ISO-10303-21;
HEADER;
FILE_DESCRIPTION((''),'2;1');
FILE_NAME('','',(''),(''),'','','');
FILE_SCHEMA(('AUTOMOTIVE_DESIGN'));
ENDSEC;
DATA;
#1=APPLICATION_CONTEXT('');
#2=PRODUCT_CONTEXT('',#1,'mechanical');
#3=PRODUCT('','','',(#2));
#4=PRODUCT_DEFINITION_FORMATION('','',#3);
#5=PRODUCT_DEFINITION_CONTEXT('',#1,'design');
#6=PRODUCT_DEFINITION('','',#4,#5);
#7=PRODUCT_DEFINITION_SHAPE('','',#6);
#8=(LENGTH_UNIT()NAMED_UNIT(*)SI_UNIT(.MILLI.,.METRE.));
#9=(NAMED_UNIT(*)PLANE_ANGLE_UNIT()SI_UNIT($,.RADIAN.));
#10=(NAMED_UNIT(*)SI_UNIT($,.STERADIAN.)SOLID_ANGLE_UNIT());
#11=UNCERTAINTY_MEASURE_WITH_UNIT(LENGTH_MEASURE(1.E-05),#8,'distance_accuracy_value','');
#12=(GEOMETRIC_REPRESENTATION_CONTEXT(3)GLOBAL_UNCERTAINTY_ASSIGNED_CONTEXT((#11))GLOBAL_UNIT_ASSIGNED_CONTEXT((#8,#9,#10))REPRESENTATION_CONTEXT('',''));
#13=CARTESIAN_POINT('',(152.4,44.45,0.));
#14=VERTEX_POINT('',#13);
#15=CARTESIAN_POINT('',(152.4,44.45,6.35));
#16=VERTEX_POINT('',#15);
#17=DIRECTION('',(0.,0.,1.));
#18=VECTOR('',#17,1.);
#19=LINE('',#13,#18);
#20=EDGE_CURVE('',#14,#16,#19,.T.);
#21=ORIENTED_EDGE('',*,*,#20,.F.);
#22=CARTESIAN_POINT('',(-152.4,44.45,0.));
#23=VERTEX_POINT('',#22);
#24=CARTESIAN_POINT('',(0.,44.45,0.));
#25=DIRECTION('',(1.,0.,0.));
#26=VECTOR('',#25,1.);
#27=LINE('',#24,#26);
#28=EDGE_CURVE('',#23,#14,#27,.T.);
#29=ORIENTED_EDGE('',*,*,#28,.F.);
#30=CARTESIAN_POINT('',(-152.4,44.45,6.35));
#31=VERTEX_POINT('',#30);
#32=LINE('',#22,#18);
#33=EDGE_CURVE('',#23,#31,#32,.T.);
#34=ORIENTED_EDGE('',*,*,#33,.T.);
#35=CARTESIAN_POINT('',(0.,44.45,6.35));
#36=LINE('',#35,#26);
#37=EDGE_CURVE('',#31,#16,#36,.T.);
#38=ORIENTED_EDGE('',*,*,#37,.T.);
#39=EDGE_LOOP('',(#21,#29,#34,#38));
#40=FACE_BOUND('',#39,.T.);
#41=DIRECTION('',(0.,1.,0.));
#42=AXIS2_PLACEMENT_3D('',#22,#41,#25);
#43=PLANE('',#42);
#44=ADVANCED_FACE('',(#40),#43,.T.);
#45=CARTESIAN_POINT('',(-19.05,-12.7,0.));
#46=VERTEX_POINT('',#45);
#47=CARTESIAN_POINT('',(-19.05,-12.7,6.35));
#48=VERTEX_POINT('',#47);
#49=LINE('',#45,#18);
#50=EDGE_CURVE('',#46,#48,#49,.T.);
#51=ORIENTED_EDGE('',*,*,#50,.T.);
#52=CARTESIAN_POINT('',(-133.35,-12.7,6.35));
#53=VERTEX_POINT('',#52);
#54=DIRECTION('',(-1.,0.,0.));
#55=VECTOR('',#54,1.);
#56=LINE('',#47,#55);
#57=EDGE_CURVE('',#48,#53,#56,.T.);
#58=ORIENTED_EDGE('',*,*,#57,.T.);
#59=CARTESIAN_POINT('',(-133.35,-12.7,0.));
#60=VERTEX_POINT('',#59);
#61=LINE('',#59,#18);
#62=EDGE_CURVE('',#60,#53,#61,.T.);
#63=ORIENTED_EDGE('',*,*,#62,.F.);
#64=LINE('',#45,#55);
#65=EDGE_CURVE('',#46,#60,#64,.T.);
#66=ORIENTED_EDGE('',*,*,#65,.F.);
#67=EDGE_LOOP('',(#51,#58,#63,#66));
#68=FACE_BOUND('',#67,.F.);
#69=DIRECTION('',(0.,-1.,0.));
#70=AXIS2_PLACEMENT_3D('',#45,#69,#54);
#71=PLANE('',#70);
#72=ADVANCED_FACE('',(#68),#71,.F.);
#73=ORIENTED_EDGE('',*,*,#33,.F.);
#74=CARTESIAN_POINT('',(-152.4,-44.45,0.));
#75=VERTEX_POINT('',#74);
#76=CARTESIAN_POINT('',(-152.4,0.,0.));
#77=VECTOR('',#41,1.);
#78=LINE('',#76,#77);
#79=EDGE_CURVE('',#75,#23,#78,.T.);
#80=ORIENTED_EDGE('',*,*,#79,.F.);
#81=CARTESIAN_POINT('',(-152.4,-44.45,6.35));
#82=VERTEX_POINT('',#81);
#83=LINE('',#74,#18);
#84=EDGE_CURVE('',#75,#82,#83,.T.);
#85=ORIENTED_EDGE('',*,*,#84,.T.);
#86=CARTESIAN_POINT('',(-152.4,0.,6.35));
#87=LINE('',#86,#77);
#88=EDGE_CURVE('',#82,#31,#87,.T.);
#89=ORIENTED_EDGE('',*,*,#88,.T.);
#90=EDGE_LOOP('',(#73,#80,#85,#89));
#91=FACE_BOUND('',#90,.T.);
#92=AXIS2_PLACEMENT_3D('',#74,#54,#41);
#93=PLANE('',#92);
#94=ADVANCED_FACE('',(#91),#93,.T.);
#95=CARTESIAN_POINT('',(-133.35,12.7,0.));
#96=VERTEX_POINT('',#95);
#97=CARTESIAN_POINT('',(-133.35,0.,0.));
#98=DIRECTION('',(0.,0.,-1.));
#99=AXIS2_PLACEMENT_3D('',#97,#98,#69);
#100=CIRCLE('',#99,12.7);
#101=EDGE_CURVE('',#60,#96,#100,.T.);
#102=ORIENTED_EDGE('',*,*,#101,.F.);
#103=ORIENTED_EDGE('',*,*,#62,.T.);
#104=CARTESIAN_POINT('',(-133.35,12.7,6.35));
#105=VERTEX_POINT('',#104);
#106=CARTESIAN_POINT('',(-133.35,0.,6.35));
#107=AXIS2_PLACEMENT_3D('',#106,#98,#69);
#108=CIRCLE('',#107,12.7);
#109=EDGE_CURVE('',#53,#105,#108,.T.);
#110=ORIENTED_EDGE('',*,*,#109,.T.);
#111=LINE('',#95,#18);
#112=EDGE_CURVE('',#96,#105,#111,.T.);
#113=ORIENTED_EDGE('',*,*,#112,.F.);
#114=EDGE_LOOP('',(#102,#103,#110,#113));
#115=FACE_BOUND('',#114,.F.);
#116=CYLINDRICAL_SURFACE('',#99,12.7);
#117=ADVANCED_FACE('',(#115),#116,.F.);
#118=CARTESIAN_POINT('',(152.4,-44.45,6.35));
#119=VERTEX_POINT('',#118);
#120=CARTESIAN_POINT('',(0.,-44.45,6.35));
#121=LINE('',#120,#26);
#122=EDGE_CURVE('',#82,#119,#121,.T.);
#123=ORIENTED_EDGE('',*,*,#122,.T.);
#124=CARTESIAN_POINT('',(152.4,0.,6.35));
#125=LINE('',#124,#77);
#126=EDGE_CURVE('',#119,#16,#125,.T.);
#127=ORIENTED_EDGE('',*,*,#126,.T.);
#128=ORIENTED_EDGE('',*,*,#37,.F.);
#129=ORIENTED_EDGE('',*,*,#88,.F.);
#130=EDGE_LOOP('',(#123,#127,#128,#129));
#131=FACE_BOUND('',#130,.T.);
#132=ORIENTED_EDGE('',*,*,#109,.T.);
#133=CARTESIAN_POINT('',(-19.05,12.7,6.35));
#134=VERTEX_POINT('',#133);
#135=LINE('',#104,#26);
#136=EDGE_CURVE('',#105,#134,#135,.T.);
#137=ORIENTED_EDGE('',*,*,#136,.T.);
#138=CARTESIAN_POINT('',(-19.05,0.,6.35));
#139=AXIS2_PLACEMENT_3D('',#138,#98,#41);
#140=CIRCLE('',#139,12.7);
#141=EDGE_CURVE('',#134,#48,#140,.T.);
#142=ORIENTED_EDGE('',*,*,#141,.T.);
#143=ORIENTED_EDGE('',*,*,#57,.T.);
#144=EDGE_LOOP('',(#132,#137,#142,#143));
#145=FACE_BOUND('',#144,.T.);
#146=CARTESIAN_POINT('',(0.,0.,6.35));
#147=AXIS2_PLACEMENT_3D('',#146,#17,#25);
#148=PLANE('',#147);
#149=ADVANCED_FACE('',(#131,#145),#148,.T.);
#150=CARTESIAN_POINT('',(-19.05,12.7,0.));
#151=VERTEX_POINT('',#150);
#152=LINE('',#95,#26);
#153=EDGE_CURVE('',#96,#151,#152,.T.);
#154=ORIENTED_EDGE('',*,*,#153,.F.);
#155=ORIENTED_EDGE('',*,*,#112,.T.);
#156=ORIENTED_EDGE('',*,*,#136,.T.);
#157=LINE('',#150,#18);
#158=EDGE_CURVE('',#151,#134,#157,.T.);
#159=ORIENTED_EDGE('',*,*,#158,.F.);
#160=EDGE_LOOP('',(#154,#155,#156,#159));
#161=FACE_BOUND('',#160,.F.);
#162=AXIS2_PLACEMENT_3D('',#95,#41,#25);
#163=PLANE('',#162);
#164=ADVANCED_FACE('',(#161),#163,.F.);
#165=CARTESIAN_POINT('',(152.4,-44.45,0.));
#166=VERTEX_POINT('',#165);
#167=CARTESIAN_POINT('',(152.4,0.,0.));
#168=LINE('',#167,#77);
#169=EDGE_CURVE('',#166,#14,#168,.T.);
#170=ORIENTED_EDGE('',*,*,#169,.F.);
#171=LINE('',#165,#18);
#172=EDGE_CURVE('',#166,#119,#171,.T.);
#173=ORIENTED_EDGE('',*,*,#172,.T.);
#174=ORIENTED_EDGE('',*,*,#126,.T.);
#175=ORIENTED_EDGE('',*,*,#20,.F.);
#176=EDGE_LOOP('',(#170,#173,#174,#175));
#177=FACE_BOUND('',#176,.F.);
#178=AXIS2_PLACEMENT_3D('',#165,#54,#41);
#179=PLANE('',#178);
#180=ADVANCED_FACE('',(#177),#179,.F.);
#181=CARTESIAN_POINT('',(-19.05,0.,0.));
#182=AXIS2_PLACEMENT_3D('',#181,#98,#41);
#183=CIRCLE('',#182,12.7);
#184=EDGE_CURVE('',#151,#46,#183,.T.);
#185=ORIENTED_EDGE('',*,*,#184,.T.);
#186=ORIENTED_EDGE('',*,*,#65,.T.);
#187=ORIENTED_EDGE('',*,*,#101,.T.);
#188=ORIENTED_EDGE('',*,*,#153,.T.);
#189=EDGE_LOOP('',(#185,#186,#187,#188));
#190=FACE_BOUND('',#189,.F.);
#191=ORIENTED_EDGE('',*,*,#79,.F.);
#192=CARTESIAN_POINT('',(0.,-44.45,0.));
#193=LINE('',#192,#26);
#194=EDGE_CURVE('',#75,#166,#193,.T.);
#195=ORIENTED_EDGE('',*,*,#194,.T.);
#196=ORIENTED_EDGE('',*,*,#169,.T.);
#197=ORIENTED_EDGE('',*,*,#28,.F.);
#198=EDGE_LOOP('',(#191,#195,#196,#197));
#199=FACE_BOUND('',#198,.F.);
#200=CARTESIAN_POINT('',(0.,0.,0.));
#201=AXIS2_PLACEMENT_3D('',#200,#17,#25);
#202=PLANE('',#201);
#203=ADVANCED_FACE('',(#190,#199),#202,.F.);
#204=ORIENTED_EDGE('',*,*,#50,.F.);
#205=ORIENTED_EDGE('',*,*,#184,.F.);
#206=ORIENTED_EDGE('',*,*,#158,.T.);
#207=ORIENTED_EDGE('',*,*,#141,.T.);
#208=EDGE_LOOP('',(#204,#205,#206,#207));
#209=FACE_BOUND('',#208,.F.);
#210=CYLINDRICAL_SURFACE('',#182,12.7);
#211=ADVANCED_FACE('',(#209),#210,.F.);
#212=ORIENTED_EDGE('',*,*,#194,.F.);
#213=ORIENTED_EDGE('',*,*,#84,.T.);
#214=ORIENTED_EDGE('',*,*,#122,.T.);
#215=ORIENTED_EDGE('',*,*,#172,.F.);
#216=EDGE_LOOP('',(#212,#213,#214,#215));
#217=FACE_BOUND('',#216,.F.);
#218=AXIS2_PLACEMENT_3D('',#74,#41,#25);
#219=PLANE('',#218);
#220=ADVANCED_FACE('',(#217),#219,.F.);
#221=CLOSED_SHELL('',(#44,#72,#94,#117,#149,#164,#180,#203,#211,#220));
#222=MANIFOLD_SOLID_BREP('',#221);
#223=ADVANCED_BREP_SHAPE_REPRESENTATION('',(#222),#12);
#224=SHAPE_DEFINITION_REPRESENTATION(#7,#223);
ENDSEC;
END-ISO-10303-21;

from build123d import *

# Parameters (mm, degrees)
F0_W     = 304.8
F0_H     = 88.9
F1_DEPTH = 6.35


with BuildPart() as f1:
    # F0 (on Top) → F1 (new body)
    with BuildSketch(Plane.XY):
        Rectangle(F0_W, F0_H)
        with BuildLine():
            ThreePointArc((-133.35, -12.7), (-146.05, 0), (-133.35, 12.7))
            Line((-133.35, 12.7), (-19.05, 12.7))
            ThreePointArc((-19.05, 12.7), (-6.35, 0), (-19.05, -12.7))
            Line((-19.05, -12.7), (-133.35, -12.7))
        make_face(mode=Mode.SUBTRACT)
    extrude(amount=F1_DEPTH)


solid = f1.part
